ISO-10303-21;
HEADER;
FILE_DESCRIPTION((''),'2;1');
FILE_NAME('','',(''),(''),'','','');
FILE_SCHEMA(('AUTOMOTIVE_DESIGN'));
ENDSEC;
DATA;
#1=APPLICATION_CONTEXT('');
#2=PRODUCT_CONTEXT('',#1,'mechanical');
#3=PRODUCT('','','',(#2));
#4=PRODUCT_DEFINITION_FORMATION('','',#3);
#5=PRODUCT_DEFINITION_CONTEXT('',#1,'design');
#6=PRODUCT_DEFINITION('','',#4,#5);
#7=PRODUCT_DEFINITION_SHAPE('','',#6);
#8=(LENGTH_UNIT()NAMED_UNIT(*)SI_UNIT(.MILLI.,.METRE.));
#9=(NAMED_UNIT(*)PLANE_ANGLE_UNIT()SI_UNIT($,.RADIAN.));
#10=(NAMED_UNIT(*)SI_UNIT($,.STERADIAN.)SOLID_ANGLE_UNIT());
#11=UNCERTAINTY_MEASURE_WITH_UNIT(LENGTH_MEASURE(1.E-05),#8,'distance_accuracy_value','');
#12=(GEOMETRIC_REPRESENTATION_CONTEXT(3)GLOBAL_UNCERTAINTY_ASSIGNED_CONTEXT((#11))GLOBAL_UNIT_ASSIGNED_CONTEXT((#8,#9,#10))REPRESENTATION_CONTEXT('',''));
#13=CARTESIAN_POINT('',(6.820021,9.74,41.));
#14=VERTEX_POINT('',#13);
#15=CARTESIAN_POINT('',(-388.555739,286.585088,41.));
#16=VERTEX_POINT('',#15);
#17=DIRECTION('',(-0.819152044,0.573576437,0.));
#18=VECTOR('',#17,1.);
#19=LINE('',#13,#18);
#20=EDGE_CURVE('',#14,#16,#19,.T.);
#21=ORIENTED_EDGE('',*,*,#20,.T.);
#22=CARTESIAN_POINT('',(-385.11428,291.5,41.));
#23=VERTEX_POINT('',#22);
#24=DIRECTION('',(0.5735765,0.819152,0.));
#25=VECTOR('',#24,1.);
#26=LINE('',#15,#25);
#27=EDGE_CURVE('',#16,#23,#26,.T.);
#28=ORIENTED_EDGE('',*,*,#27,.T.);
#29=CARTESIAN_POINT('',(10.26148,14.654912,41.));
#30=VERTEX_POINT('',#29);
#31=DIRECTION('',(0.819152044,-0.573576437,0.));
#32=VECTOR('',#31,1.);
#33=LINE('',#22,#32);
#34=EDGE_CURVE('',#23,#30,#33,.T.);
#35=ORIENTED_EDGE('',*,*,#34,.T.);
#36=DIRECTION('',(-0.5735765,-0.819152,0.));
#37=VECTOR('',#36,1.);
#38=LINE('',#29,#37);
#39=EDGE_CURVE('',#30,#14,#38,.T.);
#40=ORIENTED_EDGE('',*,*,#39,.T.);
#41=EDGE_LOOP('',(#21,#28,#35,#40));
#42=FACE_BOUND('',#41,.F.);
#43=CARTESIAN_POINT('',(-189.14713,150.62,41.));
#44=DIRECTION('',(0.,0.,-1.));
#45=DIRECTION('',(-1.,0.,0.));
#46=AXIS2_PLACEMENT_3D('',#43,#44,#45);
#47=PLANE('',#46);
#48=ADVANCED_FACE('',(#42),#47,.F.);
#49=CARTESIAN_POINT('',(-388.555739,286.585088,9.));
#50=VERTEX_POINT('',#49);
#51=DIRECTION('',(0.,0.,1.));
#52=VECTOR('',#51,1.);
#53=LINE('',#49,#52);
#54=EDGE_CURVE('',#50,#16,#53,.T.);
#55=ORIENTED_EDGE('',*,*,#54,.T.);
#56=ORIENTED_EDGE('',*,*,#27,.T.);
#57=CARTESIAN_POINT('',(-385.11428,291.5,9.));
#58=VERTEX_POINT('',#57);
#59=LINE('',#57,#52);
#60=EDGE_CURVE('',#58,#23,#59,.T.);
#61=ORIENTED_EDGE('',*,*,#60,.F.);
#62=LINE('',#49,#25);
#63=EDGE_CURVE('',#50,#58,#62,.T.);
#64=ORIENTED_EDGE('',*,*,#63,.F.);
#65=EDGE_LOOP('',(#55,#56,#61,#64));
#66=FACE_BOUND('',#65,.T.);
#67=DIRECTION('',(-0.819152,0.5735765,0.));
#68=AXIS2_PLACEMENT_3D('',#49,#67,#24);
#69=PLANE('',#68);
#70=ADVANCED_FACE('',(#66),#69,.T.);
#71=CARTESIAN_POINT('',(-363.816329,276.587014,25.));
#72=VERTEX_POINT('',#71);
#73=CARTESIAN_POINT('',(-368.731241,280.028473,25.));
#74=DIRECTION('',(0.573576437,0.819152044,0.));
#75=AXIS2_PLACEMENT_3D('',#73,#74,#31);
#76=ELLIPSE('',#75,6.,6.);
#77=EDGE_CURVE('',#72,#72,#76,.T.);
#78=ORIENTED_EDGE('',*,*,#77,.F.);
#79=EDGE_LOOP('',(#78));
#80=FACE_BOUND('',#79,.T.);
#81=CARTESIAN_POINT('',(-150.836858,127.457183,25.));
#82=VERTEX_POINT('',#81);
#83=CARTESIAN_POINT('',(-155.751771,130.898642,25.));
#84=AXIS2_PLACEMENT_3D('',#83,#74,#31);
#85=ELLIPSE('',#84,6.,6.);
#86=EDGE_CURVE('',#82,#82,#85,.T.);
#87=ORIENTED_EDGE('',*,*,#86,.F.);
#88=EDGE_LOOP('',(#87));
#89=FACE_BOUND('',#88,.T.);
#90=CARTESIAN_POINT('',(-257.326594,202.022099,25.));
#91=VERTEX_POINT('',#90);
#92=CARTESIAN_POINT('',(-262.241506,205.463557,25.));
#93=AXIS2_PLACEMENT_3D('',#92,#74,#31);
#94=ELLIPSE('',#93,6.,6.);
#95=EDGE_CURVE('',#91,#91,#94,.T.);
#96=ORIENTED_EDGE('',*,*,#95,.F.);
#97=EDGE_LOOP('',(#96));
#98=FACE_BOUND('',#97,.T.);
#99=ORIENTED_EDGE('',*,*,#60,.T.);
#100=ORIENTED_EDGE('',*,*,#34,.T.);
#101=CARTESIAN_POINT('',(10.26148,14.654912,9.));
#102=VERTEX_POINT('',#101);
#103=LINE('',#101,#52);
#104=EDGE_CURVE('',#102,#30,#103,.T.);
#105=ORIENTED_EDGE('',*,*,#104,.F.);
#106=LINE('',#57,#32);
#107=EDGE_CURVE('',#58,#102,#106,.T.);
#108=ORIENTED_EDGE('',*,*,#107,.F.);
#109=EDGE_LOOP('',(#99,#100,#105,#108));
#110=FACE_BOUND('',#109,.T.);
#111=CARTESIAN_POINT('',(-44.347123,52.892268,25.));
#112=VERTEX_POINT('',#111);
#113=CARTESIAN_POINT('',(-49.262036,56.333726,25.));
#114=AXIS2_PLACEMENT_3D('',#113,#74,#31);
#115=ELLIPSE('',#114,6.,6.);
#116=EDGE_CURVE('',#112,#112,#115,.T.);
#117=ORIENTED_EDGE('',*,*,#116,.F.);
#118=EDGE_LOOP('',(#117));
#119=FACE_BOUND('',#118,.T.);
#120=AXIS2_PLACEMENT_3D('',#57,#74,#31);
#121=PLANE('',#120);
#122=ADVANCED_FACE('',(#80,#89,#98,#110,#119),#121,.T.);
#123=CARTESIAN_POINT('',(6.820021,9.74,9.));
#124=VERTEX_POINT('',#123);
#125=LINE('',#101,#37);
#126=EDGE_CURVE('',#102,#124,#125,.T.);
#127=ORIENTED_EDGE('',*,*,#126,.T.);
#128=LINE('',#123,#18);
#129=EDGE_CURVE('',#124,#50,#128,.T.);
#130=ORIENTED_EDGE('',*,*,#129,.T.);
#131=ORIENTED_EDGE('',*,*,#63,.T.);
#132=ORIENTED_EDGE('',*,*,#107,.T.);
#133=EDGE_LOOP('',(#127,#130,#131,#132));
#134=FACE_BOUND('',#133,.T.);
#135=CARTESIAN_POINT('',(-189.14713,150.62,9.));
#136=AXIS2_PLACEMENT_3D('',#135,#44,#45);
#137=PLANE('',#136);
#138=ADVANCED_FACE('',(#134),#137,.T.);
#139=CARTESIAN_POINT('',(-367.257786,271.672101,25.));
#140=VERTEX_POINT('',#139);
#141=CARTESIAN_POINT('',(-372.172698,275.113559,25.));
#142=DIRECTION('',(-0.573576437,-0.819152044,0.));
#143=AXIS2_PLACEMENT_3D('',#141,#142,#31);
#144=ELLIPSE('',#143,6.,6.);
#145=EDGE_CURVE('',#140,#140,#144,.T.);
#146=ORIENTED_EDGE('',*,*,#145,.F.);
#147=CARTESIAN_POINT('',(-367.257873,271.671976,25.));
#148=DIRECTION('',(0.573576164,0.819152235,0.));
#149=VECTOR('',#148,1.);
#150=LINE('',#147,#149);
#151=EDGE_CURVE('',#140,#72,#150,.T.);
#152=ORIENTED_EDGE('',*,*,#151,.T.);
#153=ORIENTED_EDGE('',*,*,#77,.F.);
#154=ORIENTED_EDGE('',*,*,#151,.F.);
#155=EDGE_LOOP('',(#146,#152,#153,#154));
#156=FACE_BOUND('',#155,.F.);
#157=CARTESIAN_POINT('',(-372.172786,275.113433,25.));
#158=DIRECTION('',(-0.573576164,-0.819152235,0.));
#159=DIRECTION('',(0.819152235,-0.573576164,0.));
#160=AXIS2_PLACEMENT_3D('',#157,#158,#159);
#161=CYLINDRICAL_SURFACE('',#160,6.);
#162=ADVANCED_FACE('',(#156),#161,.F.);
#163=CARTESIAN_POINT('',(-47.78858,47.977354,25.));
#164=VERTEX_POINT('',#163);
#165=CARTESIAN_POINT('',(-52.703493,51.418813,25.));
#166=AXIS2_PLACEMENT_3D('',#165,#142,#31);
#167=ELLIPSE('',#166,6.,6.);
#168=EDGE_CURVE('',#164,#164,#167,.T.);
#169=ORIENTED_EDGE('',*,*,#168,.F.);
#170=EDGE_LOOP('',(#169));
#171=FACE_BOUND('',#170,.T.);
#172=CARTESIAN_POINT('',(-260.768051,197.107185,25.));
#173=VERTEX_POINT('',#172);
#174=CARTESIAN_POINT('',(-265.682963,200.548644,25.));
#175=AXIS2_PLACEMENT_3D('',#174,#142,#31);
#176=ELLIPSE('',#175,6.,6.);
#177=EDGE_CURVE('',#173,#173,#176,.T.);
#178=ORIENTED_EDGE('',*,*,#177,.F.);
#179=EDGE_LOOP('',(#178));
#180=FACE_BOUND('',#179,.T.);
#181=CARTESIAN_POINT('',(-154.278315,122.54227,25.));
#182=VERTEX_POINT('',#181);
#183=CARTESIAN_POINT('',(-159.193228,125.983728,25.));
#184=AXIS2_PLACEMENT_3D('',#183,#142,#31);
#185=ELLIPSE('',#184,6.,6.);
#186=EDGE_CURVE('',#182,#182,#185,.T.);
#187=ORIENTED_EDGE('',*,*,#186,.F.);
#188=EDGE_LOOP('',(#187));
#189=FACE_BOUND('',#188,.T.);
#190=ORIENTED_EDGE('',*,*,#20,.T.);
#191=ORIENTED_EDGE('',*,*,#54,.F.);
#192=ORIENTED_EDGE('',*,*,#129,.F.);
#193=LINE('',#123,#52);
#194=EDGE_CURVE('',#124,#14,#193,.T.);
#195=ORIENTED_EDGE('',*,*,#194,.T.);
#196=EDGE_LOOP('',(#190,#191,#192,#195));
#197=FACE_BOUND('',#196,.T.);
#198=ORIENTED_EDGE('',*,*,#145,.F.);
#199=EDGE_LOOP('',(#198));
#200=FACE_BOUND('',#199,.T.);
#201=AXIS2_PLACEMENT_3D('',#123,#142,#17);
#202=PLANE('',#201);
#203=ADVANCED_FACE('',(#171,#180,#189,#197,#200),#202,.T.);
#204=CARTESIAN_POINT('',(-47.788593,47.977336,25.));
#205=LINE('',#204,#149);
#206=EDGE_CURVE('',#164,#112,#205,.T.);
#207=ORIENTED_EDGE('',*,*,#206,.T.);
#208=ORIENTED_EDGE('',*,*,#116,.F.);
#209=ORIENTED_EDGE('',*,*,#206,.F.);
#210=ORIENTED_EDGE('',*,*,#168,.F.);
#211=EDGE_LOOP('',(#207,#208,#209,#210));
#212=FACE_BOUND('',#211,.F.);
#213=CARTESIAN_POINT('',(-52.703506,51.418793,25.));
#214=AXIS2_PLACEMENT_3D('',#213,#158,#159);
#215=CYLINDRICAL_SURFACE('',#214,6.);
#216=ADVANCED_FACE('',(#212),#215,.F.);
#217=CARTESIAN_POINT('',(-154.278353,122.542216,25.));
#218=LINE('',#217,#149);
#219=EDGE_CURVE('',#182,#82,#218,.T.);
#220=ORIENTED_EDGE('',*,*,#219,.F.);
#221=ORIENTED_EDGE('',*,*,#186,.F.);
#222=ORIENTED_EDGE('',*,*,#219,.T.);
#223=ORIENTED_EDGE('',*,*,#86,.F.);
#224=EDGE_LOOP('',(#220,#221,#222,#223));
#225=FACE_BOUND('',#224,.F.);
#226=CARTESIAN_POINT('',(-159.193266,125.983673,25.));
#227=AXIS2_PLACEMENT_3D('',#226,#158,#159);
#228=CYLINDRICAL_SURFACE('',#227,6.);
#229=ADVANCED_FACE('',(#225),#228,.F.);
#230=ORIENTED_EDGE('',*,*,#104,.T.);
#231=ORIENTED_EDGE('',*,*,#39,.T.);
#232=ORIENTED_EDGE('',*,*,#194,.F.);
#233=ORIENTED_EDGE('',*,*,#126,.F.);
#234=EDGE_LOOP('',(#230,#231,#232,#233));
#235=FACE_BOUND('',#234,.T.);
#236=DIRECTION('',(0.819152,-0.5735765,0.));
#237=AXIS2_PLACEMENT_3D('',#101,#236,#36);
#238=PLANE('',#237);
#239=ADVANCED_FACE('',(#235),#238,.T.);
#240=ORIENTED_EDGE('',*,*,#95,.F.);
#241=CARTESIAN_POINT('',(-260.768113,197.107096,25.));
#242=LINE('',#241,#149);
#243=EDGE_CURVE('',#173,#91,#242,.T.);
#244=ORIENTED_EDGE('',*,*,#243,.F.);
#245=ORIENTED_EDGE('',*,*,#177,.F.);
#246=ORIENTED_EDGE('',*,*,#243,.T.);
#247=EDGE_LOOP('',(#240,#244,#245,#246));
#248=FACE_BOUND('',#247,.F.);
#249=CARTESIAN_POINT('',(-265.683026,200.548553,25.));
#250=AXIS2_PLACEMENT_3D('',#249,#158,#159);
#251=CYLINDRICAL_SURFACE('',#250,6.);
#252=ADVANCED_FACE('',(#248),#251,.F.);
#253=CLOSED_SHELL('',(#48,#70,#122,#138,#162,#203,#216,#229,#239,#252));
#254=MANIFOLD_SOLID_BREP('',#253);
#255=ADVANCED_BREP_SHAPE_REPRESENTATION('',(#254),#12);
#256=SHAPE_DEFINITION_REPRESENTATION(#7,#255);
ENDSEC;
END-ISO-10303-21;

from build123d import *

# Parameters (mm, degrees)
PAD006_DEPTH           = 32
SKETCH014_R            = 6
POCKET004_DEPTH        = 232.77922
LINEARPATTERN002_COUNT = 4
LINEARPATTERN002_PITCH = 130


with BuildPart() as part:
    # Sketch013 → Pad006 (new body)
    with BuildSketch(Plane.XY):
        Polygon((-385.11428, 291.5), (10.26148, 14.654912), (6.820021, 9.74), (-388.555739, 286.585088), align=None)
    extrude(amount=PAD006_DEPTH)

    # Sketch014 (on Face3 of Pad006) → Pocket004 (cut, through all)
    with BuildSketch(Plane(origin=(6.820021, 9.74, 0), x_dir=(0.819152, -0.573576, 0), z_dir=(-0.573576, -0.819152, 0))):
        with Locations((-462.664681, 16)):
            Circle(SKETCH014_R)
    pocket004 = extrude(amount=-POCKET004_DEPTH, mode=Mode.SUBTRACT)

    # LinearPattern002: Pocket004 ×4
    with Locations(*[Vector(0.819152, -0.573576, 0) * (i * LINEARPATTERN002_PITCH) for i in range(1, LINEARPATTERN002_COUNT)]):
        add(pocket004, mode=Mode.SUBTRACT)


with BuildPart() as part_1:
    # Body005 placement: moved
    add(part.part.moved(Location((0, 0, 9))))


solid = part_1.part
